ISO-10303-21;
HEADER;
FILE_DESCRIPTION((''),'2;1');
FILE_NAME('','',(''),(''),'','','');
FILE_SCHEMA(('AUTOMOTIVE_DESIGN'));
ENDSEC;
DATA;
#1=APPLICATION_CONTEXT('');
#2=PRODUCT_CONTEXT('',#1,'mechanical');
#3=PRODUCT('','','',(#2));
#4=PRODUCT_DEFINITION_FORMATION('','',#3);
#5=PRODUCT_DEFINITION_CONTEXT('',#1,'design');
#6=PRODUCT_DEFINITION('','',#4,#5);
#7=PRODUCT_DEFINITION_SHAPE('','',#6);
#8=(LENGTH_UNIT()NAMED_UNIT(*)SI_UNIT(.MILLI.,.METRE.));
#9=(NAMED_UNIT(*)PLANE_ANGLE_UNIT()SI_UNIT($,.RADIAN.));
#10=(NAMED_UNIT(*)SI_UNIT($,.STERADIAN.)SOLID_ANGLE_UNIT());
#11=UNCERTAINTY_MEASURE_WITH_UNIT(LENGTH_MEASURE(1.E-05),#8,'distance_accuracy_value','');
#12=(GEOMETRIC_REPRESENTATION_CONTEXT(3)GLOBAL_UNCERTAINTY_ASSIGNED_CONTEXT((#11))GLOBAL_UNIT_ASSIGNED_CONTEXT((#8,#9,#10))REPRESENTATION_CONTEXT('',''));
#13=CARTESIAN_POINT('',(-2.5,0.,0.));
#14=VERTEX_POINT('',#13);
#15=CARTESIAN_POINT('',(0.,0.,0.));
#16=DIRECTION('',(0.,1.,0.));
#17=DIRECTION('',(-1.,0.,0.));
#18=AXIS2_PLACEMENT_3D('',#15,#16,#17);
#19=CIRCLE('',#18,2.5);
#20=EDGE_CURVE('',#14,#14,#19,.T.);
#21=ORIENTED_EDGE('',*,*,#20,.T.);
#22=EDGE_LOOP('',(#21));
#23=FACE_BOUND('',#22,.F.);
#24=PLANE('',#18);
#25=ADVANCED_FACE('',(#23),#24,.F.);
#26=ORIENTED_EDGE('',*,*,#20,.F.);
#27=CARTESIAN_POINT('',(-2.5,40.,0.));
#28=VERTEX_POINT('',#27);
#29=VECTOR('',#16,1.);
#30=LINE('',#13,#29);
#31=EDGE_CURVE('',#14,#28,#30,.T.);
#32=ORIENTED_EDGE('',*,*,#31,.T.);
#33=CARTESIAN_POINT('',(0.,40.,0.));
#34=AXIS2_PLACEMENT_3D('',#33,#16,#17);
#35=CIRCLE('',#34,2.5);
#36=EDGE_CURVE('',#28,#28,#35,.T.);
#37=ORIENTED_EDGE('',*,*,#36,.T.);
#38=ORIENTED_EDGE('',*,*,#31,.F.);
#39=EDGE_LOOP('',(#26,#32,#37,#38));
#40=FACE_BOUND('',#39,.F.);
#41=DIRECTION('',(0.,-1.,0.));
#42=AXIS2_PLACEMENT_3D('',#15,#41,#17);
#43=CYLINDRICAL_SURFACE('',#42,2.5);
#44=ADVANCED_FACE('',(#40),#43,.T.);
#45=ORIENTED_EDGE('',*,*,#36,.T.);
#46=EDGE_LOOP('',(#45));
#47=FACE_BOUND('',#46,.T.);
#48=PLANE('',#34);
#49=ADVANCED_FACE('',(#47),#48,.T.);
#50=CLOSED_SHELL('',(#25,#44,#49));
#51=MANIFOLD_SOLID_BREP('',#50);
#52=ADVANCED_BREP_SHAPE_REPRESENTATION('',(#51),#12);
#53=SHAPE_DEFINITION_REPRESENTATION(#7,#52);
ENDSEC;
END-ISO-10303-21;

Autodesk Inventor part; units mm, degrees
ref_plane "YZ Plane" through (0, 0, 0) normal (1, 0, 0) x (0, 1, 0)
ref_plane "XZ Plane" through (0, 0, 0) normal (0, 1, 0) x (-1, 0, 0)
ref_plane "XY Plane" through (0, 0, 0) normal (0, 0, 1) x (1, 0, 0)
sketch "Szkic1" plane through (0, 0, 0) normal (0, 1, 0) x (-1, 0, 0)
  circle A0 centre (0, 0) radius 4.25
  line L0 (1.1547, 2) -> (2.3094, 0)
  line L1 (2.3094, 0) -> (1.1547, -2)
  line L2 (1.1547, -2) -> (-1.1547, -2)
  line L3 (-1.1547, -2) -> (-2.3094, 0)
  line L4 (-2.3094, 0) -> (-1.1547, 2)
  line L5 (-1.1547, 2) -> (1.1547, 2)
  circle A1 centre (0, 0) radius 2.5
  dimension "d0" = 8.5
  dimension "d1" = 4
  dimension "d2" = 5
extrude "Wyciągnięcie proste4" add sketch "Szkic1" along normal blind 40 contours L0 L1 L2 L3 L4 L5 | A1
thread "Gwint2" size "M5x0.8" class "6g" standard "ANSI Metric M Profile" length 5
thread "Gwint3" size "M5x0.8" class "6g" standard "ANSI Metric M Profile" length 5
properties part number "M5x35" material "Aluminum 6061"
